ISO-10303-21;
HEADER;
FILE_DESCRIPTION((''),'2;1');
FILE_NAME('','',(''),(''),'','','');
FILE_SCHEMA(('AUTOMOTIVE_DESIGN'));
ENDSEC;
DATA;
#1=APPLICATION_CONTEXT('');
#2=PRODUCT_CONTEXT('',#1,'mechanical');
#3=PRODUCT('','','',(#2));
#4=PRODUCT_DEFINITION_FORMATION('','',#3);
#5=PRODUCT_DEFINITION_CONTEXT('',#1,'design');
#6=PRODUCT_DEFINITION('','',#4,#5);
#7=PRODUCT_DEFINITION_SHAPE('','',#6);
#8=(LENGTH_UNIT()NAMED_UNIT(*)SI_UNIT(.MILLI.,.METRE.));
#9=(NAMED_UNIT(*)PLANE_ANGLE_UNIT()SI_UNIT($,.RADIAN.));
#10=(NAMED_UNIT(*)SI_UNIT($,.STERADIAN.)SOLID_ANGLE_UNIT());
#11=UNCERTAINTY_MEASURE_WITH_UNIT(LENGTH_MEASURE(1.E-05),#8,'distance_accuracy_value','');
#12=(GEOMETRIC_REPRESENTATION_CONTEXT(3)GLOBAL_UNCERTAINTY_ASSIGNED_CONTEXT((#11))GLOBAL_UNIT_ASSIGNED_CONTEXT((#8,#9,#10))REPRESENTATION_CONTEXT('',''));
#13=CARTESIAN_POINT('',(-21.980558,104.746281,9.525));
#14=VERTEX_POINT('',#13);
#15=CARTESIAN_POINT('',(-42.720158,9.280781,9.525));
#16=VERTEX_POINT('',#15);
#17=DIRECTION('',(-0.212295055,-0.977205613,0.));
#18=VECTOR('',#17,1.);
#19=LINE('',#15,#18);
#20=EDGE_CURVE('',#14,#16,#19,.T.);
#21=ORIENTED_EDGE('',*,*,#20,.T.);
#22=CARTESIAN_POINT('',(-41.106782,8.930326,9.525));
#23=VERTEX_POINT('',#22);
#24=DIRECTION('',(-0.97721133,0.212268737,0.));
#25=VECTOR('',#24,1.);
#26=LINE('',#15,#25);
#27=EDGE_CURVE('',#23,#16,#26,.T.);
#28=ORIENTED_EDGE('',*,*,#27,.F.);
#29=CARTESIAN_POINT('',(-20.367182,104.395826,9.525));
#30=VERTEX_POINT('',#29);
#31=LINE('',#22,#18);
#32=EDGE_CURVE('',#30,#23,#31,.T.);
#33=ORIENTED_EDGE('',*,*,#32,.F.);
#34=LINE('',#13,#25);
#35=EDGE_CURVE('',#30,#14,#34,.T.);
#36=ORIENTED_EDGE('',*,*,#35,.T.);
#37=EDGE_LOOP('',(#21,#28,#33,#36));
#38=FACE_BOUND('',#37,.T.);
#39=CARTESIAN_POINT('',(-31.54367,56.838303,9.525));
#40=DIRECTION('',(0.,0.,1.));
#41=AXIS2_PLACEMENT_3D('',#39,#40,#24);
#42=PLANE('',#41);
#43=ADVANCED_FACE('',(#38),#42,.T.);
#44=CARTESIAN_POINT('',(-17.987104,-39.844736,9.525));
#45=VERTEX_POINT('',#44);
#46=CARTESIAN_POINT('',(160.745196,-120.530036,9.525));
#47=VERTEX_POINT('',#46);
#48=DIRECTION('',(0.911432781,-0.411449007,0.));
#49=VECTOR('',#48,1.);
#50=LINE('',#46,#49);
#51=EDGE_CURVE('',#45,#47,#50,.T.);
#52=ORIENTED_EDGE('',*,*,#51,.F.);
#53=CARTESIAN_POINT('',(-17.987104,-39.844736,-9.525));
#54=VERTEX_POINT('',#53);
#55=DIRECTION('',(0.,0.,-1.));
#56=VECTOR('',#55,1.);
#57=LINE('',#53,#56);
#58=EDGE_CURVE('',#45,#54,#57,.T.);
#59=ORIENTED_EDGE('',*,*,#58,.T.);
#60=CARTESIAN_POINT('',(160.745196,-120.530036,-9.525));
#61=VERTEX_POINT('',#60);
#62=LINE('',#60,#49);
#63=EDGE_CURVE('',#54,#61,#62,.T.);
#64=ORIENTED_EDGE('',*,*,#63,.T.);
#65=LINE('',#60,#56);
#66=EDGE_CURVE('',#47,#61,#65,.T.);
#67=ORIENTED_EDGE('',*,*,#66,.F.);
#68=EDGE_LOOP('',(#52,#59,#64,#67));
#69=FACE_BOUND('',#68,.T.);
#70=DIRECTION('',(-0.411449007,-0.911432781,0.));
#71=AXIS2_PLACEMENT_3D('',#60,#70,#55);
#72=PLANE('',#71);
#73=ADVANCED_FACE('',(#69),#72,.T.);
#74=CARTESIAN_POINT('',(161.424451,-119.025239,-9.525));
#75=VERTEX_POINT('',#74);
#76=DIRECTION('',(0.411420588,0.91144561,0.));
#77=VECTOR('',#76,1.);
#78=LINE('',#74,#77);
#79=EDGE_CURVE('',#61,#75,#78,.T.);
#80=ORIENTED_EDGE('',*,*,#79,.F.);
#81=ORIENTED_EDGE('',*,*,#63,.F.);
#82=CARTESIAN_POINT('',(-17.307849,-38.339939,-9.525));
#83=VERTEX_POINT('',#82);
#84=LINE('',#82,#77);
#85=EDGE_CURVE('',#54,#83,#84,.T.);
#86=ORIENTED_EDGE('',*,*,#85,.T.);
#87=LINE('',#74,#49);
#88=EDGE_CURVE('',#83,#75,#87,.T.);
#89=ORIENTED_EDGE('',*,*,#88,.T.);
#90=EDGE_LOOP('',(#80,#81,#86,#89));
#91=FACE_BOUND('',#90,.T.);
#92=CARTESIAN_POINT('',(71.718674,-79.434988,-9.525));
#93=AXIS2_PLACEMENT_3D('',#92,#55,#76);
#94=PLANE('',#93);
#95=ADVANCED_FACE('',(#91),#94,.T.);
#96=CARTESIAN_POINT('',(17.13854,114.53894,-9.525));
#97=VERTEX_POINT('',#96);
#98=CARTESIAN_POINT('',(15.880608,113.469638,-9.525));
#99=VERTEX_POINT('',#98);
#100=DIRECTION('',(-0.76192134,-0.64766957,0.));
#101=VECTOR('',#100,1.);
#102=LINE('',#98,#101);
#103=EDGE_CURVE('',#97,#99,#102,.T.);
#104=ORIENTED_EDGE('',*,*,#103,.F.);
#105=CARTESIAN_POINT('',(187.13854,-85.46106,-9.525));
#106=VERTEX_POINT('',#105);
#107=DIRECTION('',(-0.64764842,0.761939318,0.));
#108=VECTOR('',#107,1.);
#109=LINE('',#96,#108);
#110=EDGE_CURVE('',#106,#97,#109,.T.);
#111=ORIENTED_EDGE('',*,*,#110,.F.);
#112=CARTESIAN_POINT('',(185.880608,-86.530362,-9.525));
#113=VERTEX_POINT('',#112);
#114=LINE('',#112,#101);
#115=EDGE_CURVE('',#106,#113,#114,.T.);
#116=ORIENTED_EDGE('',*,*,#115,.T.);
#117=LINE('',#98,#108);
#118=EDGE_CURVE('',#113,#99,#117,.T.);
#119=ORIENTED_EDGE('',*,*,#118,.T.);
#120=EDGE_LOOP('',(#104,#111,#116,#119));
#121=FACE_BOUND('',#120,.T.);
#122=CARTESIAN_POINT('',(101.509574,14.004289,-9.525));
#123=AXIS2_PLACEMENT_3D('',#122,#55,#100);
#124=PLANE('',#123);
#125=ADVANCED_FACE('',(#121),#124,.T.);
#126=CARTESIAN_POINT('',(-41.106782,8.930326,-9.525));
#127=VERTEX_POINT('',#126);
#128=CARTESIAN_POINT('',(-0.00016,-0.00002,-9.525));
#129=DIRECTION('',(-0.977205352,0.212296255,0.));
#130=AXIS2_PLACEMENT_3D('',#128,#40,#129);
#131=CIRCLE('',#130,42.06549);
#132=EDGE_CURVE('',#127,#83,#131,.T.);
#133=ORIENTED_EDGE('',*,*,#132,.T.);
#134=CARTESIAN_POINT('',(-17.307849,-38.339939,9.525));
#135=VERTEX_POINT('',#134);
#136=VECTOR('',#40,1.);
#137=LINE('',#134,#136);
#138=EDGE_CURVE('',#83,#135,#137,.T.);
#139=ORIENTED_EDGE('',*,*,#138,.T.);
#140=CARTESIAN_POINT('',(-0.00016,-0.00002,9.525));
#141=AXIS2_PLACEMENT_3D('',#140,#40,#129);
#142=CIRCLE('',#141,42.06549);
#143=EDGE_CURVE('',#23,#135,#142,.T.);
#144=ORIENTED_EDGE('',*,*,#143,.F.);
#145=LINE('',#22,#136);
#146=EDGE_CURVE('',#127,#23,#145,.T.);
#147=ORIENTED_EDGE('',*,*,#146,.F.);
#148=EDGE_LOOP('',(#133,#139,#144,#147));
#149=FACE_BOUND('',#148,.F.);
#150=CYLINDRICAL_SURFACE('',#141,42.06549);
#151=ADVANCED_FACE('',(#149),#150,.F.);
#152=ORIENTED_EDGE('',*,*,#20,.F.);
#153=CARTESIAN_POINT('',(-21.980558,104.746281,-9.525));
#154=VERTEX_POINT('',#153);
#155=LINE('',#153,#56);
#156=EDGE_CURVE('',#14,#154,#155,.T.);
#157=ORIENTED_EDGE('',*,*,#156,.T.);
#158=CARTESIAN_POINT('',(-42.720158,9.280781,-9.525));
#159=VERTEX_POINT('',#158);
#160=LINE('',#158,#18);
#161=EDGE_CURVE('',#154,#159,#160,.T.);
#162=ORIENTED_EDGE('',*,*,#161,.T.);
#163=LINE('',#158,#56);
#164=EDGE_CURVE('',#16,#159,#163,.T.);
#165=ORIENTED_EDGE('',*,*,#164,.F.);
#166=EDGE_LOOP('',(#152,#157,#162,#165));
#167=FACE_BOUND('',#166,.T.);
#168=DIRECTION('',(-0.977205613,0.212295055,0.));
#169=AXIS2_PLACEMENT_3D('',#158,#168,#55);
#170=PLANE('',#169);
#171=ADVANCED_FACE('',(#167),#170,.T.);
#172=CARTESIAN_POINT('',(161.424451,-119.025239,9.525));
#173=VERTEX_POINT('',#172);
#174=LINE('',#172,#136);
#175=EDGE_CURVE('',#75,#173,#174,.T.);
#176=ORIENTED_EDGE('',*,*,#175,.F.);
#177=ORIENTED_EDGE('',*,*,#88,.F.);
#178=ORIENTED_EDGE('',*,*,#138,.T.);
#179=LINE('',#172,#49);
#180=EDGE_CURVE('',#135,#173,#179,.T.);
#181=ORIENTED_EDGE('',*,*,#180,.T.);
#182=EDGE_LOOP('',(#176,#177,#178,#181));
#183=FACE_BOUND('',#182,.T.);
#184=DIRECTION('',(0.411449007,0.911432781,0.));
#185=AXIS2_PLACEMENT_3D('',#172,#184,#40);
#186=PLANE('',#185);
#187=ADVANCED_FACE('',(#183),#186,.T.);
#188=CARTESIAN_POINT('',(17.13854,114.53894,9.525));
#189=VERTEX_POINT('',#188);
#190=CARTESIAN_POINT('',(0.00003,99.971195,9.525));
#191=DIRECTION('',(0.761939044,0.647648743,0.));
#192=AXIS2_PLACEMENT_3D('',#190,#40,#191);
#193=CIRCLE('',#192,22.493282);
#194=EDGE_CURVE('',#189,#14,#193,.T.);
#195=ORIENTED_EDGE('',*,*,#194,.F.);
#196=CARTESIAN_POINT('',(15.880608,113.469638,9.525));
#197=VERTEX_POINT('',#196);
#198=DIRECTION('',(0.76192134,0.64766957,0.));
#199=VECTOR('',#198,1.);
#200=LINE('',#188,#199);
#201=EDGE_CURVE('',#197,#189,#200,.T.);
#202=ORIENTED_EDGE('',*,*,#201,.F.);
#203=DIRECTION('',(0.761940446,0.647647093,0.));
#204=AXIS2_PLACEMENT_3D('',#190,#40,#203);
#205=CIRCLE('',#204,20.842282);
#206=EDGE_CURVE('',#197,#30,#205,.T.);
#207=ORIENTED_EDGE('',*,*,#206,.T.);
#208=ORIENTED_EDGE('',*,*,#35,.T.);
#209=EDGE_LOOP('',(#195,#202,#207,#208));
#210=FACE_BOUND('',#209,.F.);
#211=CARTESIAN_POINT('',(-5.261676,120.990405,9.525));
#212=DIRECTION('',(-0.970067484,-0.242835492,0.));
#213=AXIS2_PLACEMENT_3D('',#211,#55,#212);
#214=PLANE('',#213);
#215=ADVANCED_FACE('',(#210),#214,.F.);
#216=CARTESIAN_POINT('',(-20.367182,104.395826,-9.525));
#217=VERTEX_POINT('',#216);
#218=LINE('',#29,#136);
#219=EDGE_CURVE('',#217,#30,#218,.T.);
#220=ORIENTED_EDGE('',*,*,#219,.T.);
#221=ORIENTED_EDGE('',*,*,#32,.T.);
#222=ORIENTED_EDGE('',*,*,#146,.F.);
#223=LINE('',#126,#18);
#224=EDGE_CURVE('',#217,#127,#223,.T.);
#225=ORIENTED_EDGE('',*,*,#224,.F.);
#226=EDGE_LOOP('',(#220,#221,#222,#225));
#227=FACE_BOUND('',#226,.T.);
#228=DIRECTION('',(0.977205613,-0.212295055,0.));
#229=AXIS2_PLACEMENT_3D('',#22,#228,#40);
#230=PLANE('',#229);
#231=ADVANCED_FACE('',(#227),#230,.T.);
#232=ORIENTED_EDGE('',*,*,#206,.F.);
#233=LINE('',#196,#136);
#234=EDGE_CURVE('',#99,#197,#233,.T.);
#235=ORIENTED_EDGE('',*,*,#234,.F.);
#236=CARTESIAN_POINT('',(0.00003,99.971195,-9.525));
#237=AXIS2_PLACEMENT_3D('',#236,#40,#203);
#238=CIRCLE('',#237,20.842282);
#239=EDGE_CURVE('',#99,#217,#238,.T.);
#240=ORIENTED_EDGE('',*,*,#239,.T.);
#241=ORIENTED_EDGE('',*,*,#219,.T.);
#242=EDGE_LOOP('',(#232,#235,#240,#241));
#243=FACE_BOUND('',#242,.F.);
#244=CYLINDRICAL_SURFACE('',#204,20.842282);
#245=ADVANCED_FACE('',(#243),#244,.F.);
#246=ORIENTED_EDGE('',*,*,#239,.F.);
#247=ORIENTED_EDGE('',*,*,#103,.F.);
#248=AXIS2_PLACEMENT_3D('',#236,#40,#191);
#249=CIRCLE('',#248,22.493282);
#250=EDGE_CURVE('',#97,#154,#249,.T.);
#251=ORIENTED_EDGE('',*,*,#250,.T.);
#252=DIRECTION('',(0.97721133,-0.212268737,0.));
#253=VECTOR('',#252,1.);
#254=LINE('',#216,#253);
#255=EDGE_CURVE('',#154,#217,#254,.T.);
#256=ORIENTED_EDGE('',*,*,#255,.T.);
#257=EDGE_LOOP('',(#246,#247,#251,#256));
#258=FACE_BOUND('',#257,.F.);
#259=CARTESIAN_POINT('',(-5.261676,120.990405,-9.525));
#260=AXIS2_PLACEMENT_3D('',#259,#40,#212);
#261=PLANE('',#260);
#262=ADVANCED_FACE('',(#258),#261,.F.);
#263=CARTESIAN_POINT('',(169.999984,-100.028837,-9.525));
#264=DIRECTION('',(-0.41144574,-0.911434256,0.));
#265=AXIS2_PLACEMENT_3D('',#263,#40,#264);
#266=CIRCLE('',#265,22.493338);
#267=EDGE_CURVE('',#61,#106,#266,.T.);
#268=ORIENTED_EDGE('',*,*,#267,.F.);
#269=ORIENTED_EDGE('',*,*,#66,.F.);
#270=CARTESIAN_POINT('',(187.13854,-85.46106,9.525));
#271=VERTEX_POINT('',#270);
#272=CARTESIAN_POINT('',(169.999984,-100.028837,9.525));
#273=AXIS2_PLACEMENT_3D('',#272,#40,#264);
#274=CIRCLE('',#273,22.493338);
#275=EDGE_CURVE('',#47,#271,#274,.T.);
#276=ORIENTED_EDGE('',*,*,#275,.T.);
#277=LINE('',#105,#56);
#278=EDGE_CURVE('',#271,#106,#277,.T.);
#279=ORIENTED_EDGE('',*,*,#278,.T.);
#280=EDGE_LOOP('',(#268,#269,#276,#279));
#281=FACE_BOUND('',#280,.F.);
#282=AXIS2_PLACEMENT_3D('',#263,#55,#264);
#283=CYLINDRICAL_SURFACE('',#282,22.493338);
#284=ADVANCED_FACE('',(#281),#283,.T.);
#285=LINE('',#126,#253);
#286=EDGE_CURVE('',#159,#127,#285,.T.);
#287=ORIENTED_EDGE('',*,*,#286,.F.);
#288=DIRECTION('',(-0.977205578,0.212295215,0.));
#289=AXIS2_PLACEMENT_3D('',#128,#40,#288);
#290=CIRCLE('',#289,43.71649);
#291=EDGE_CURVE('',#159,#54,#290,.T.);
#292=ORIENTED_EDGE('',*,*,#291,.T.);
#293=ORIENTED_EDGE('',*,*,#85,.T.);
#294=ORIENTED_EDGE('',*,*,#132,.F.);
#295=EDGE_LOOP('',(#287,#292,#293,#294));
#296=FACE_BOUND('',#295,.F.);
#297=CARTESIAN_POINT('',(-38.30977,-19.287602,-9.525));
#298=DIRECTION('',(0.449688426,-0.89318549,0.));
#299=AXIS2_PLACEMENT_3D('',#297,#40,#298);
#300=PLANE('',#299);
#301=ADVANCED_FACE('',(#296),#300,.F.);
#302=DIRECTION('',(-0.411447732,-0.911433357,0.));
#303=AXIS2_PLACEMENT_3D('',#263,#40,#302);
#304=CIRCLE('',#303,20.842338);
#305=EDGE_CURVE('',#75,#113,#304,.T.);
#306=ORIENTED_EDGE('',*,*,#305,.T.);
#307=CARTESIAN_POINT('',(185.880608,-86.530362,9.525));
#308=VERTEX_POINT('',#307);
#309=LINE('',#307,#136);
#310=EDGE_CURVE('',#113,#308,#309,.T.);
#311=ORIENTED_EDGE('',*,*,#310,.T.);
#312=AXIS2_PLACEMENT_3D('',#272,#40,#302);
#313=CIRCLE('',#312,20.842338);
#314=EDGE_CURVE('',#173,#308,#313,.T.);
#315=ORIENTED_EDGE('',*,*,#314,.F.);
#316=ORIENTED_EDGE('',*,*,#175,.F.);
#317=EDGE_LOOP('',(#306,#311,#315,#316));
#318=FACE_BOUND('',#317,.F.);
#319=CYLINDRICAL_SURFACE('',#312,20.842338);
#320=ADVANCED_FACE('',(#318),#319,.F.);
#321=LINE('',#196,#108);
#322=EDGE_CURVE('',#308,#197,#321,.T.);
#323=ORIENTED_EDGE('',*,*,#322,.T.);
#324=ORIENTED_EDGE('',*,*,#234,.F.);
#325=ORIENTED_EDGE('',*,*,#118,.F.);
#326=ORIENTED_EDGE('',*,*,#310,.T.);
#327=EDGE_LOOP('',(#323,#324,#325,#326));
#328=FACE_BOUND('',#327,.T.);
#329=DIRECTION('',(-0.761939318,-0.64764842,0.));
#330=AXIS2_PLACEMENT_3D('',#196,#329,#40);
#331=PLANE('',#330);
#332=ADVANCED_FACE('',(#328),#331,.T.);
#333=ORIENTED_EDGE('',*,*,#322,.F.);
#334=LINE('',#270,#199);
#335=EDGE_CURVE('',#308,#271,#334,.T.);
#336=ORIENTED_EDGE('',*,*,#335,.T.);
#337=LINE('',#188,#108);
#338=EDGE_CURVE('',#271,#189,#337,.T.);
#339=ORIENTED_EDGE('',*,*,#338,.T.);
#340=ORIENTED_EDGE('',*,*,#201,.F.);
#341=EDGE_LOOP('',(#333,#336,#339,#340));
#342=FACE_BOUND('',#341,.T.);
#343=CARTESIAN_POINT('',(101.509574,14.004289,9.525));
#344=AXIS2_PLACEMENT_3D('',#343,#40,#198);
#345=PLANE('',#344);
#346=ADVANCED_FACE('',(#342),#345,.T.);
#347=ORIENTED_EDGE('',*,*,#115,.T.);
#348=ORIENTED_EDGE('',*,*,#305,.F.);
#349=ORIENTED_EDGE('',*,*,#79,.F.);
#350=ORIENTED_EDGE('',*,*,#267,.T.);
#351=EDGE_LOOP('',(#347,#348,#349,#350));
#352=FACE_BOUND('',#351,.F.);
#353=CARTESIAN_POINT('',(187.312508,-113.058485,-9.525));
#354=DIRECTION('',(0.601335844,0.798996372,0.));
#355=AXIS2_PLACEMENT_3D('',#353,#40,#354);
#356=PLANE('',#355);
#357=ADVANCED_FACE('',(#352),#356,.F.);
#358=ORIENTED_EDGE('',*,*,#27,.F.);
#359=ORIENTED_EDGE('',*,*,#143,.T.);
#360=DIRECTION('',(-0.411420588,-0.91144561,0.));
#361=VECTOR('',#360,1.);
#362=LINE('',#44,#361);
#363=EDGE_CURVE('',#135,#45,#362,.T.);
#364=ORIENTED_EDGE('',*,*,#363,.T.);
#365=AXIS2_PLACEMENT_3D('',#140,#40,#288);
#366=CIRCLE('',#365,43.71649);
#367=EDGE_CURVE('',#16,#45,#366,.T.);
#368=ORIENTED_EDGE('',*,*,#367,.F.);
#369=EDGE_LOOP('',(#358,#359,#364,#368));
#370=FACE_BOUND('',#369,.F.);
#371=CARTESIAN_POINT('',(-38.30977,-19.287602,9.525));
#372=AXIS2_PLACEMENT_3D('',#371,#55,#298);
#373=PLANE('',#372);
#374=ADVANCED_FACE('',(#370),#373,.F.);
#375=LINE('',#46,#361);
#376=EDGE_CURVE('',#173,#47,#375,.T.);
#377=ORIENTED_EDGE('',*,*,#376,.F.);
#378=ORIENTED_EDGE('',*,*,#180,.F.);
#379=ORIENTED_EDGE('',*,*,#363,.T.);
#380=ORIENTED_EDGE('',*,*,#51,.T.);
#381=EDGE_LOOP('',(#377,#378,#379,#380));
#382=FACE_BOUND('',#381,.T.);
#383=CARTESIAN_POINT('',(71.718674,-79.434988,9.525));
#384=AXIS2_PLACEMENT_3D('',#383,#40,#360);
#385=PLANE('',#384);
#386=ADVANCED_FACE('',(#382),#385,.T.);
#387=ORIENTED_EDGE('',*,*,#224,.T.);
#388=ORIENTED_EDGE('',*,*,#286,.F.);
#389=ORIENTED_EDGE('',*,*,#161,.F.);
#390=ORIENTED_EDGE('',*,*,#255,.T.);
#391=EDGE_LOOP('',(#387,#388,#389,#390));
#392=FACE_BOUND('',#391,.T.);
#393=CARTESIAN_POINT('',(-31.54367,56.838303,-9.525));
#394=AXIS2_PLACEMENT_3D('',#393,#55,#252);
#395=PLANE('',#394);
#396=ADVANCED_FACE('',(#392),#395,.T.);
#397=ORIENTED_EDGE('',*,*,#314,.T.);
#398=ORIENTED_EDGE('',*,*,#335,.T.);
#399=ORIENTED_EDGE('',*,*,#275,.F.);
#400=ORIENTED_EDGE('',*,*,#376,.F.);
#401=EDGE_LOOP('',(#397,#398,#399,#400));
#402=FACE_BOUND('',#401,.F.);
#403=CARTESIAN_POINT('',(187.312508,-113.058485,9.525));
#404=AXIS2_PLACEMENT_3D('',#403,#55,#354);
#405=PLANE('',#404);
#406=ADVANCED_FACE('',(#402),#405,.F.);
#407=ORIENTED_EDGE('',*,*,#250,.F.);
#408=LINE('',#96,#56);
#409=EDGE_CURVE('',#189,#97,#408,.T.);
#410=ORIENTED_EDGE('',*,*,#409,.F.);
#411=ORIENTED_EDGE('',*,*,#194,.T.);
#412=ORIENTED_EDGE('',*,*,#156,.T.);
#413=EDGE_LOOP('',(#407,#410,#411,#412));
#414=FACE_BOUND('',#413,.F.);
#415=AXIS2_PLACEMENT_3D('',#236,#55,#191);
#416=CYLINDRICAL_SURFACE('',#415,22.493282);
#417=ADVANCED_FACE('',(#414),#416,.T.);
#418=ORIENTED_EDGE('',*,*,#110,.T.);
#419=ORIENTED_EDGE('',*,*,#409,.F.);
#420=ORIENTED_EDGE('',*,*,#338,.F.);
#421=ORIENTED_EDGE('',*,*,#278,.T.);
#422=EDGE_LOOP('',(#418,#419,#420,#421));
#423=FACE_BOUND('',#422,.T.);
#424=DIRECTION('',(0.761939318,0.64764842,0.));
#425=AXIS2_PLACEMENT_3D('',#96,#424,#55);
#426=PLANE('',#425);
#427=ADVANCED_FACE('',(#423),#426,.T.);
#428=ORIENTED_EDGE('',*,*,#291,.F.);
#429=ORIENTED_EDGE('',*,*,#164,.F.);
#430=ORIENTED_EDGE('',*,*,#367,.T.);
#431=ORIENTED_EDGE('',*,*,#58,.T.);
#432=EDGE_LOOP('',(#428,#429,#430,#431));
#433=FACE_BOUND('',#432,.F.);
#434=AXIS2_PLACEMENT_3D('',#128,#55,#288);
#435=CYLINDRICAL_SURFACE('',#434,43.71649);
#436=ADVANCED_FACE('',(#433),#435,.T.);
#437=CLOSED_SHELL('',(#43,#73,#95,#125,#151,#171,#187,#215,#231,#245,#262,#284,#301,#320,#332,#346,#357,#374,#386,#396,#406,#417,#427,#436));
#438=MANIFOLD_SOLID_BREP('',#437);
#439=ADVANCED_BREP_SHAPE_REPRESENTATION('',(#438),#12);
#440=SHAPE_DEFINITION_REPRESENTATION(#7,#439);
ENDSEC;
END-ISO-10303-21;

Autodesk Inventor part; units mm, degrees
sketch "Эскизная траектория" plane through (0, 0, 0) normal (0, 0, 1) x (1, 0, 0)
  arc A0 (-41.4791, 9.0112) -> (-17.4646, -38.6872) centre (0, 0) ccw
  arc A1 (16.1709, 113.7164) -> (-20.7395, 104.4767) centre (0, 99.9711) ccw
  arc A2 (161.2677, -119.3725) -> (186.1709, -86.2836) centre (170, -100.0289) ccw
  line L0 (161.2677, -119.3725) -> (-17.4646, -38.6872)
  line L1 (-41.4791, 9.0112) -> (-20.7395, 104.4767)
  line L2 (16.1709, 113.7164) -> (186.1709, -86.2836)
ref_plane "Плоскость сечения" through (-17.4646, -38.6872, 0) normal (0.9114, -0.4114, 0) x (0, 0, 1)
ref_plane "РабПлоскость2" through (0, 0, 0) normal (-1, 0, 0) x (0, 0, 1)
ref_plane "РабПлоскость3" through (0, 99.9711, 0) normal (-0.5384, -0.8427, 0) x (0, 0, 1)
ref_plane "РабПлоскость4" through (170, -100.0289, 0) normal (-0.5475, 0.8368, 0) x (0, 0, 1)
sketch "Сечение" plane through (-17.4646, -38.6872, 0) normal (0.9114, -0.4114, 0) x (0, 0, 1)
  line L0 (-9.525, 1.27) -> (9.525, 1.27)
  line L1 (9.525, 1.27) -> (9.525, -0.381)
  line L2 (9.525, -0.381) -> (-9.525, -0.381)
  line L3 (-9.525, -0.381) -> (-9.525, 1.27)
  line L4 (-9.525, 0) -> (9.525, 0) construction
  point P0 (0, 0)
  point P1 (0, 0)
  dimension "d0" = 19.05
  dimension "d4" = 0.381
  dimension "d5" = 1.27
sweep "Ремень" add profiles "Сечение" path "Эскизная траектория"
equation "\"d0\" = da_B"
equation "\"d4\" = da_a"
equation "\"d5\" = da_a2"
equation "\"da_B\" = 19.05"
equation "\"da_pb\" = 9.525"
equation "\"da_L\" = 718.50884"
equation "\"da_a\" = 0.381"
equation "\"da_S\" = 4.6482"
equation "\"da_Beta\" = 20deg"
equation "\"da_Ht\" = 1.905"
equation "\"da_H\" = 3.556"
equation "\"da_a2\" = 1.27"
properties part number "Зубчатый ремень" material "Rubber"
